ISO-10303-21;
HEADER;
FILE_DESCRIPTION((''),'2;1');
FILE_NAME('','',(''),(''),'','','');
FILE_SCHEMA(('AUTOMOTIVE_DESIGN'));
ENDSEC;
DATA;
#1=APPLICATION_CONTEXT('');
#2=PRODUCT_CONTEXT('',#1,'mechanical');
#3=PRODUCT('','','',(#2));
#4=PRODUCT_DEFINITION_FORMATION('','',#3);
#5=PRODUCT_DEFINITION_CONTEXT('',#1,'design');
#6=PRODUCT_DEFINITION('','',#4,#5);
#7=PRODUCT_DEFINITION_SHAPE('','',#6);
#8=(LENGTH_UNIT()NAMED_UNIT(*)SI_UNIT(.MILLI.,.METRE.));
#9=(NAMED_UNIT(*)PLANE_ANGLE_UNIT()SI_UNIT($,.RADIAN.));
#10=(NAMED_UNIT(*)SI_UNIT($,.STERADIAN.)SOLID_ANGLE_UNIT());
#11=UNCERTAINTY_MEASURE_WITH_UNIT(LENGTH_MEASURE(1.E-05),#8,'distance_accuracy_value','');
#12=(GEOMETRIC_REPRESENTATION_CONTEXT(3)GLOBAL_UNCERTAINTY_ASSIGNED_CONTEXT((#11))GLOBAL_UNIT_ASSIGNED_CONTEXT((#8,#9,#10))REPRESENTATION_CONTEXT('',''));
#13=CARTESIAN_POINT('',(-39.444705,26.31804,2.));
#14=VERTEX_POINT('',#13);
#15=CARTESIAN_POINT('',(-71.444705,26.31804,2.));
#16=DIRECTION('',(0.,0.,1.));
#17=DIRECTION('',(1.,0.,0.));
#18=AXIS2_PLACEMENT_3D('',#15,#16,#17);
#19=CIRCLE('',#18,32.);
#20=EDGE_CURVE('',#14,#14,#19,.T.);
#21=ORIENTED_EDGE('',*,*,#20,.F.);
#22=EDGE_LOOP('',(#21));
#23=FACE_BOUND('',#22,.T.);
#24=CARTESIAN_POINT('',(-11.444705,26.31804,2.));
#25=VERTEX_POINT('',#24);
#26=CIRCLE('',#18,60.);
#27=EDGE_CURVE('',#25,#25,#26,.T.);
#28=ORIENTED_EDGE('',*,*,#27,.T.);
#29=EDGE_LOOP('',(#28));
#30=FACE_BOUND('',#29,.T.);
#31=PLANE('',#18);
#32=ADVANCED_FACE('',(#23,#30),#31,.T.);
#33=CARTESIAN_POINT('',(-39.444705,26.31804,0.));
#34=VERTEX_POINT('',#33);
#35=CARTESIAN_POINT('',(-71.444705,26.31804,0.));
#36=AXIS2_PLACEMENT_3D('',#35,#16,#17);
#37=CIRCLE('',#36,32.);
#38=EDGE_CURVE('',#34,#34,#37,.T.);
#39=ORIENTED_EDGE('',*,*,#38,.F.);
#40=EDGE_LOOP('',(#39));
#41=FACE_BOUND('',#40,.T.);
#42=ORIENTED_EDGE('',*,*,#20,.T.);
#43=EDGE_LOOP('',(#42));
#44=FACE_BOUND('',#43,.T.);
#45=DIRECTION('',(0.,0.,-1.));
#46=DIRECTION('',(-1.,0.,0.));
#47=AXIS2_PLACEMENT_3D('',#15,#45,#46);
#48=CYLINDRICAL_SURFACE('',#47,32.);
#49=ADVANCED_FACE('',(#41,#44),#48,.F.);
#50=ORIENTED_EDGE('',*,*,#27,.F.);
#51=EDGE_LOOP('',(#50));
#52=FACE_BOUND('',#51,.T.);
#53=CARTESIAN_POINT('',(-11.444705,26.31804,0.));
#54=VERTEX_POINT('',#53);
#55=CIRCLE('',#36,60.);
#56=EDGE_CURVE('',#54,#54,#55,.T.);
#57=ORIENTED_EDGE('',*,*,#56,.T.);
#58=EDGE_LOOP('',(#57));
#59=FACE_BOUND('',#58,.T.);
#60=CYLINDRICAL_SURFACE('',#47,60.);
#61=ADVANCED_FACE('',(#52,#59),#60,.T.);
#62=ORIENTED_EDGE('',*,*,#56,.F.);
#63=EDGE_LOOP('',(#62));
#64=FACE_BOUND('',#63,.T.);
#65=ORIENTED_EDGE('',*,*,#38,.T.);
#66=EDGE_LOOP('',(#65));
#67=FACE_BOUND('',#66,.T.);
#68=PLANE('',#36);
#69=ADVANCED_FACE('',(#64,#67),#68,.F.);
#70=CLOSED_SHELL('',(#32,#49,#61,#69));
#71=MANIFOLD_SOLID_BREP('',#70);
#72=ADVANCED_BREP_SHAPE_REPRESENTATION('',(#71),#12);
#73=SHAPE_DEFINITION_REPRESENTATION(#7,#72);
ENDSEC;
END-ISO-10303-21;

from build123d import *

# Parameters (mm, degrees)
SKETCH_1_R      = 60
EXTRUDE_1_DEPTH = 2
SHELL_5_T       = -28


with BuildPart() as part:
    # 草图1 → 凸台-拉伸1 (new body)
    with BuildSketch(Plane.XY):
        with Locations((-71.444705017, 26.318039667)):
            Circle(SKETCH_1_R)
    extrude(amount=EXTRUDE_1_DEPTH)

    # 抽壳5
    shell_5_openings = [part.faces().sort_by_distance(p)[0] for p in [
        (-71.444705017, 26.318039667, 2),
        (-71.444705017, 26.318039667, 0),
    ]]
    offset(amount=SHELL_5_T, openings=shell_5_openings, kind=Kind.INTERSECTION)


solid = part.part
